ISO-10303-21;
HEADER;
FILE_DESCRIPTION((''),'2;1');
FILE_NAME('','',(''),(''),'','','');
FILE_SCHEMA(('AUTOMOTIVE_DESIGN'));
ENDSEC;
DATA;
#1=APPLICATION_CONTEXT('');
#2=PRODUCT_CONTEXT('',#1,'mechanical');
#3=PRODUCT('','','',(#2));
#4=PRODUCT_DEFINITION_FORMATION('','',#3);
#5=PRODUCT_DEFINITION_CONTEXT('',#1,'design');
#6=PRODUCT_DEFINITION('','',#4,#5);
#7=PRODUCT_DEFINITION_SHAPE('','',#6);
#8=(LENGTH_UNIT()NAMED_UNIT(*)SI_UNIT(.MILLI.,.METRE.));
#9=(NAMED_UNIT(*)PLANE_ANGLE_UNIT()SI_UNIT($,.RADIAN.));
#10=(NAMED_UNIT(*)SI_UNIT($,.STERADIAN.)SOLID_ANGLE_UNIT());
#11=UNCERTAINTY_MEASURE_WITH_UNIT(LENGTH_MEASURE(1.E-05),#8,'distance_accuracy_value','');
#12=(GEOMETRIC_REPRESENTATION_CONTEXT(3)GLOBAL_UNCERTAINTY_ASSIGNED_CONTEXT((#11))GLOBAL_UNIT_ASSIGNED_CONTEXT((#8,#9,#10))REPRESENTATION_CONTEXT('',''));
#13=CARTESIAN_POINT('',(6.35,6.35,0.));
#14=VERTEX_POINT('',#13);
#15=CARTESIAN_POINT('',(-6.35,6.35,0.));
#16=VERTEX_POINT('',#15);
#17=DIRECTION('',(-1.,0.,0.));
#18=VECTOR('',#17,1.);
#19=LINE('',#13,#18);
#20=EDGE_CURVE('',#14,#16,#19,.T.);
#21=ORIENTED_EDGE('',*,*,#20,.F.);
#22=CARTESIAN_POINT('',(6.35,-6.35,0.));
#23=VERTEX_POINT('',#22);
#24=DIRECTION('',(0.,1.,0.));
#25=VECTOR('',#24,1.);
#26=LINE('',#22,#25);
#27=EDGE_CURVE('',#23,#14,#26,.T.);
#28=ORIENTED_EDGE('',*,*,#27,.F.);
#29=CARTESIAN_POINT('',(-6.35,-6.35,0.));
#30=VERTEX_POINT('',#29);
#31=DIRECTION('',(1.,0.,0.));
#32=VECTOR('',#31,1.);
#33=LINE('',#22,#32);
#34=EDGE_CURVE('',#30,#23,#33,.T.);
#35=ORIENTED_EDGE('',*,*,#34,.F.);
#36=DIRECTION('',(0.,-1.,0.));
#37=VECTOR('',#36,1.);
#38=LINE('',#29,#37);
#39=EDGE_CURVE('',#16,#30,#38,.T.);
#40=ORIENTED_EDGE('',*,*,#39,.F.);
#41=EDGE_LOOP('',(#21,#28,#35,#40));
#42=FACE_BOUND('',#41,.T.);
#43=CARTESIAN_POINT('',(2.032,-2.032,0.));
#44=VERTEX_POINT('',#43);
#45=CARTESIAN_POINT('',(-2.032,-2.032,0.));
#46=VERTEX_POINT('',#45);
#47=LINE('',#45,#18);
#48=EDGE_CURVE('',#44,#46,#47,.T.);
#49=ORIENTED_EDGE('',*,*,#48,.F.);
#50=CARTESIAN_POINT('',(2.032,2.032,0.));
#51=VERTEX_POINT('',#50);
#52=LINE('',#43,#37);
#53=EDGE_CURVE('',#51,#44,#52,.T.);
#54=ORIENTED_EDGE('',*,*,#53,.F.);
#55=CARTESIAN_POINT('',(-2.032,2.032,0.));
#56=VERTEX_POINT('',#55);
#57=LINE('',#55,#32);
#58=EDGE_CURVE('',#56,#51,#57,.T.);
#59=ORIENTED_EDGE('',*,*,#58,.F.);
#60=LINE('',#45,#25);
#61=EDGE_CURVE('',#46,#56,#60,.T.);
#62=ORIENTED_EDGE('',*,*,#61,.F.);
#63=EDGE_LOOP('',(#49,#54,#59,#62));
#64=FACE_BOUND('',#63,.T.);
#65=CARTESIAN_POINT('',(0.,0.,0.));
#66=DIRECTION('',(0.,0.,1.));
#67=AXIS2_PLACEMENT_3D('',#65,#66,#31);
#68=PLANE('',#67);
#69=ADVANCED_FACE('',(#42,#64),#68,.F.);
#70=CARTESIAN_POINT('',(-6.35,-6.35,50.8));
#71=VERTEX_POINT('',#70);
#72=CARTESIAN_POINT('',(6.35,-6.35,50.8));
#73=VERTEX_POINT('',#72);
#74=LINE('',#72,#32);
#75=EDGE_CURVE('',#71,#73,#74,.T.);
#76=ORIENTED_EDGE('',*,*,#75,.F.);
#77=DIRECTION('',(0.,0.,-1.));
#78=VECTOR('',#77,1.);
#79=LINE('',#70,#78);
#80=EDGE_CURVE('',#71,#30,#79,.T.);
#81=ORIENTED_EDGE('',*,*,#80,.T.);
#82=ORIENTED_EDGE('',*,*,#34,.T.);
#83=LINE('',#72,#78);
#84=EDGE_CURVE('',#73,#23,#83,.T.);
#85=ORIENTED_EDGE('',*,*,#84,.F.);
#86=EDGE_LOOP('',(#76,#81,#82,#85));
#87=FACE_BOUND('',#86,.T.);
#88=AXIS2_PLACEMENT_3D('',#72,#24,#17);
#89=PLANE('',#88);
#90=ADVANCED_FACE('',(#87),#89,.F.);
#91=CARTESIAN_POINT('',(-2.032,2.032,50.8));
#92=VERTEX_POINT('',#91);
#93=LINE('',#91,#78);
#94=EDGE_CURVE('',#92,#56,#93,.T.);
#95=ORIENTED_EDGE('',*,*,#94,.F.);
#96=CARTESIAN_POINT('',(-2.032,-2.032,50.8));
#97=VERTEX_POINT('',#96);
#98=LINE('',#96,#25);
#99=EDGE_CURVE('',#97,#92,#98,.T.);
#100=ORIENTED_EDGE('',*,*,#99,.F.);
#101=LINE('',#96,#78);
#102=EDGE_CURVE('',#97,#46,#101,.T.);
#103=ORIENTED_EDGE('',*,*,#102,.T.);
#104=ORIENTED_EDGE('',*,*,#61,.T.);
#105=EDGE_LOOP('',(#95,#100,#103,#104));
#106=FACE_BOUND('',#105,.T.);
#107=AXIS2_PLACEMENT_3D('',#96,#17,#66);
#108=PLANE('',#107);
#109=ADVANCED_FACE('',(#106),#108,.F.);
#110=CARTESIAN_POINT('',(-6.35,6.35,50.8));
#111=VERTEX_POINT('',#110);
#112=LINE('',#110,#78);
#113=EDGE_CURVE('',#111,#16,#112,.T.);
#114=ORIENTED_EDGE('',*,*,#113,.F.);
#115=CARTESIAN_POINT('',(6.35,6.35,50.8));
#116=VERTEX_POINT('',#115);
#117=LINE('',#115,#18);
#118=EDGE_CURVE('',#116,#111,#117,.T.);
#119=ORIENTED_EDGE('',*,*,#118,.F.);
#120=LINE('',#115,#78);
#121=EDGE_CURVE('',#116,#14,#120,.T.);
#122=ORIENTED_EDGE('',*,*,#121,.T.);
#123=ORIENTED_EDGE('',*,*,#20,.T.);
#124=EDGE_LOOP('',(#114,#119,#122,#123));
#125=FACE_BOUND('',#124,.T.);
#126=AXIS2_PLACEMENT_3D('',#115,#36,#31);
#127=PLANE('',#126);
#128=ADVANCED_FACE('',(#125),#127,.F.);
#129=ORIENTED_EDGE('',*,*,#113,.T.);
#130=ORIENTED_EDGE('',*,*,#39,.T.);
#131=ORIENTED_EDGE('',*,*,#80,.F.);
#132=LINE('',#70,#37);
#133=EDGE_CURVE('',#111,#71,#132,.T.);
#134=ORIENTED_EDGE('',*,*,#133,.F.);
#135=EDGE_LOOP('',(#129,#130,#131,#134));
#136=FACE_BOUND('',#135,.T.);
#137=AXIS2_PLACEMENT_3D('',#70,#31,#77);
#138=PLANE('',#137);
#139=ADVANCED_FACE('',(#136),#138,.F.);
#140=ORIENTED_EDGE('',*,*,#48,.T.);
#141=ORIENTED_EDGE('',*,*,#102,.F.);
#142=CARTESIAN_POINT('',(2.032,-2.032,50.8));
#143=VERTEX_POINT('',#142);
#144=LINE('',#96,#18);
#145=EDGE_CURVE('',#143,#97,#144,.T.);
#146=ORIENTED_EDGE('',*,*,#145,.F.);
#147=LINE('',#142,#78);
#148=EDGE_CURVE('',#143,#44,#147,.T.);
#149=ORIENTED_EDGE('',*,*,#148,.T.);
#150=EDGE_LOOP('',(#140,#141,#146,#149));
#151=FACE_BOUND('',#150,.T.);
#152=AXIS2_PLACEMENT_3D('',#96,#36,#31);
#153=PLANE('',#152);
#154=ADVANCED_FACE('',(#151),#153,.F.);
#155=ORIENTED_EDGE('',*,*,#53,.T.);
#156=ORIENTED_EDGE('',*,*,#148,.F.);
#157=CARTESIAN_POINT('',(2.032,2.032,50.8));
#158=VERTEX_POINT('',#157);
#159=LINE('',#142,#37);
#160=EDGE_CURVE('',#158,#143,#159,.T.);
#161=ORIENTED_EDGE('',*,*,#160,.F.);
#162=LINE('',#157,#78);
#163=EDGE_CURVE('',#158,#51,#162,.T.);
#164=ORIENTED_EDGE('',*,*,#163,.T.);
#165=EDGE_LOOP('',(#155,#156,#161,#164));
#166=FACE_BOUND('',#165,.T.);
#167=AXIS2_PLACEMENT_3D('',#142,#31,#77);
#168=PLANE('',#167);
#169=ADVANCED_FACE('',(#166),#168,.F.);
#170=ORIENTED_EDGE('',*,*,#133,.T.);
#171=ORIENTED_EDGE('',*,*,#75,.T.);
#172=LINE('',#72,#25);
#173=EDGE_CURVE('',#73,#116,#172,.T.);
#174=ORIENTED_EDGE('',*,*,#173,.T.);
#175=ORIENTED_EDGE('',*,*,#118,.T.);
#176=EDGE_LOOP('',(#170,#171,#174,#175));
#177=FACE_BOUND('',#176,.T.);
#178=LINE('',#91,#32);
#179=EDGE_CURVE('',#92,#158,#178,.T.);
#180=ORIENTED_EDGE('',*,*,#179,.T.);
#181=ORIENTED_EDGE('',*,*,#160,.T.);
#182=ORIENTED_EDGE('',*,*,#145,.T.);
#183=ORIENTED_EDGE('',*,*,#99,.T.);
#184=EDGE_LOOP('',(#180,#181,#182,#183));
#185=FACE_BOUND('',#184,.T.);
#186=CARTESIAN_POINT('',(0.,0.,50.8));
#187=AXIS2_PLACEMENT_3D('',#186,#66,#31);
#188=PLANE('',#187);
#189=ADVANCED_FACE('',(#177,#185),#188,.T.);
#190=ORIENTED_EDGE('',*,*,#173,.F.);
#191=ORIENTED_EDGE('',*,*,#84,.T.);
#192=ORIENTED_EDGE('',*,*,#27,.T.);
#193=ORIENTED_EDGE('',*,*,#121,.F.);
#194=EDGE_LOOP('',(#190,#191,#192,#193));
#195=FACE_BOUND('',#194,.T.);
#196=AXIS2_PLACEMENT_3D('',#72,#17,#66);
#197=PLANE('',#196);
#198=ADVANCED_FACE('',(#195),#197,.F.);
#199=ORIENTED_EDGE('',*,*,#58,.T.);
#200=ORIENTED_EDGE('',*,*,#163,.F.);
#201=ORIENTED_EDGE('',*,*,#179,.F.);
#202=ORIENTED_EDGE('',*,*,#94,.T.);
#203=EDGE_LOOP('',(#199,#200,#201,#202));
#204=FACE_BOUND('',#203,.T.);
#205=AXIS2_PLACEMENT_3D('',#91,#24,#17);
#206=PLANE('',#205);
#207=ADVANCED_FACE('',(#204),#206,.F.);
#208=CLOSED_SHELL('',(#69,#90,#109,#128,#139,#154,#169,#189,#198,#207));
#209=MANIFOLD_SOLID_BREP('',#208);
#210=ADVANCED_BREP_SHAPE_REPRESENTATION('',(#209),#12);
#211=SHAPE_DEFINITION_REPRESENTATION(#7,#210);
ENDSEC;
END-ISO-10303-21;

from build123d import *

# Parameters (mm, degrees)
SKETCH2_W           = 12.7
SKETCH2_H           = 12.7
BOSS_EXTRUDE1_DEPTH = 50.8
SKETCH4_W           = 4.064
SKETCH4_H           = 4.064
CUT_EXTRUDE1_DEPTH  = 51.8


with BuildPart() as part:
    # Sketch2 → Boss-Extrude1 (new body)
    with BuildSketch(Plane.XY):
        Rectangle(SKETCH2_W, SKETCH2_H)
    extrude(amount=BOSS_EXTRUDE1_DEPTH)

    # Sketch4 → Cut-Extrude1 (cut, through all)
    with BuildSketch(Plane(origin=(0, 0, 0), x_dir=(-1, 0, 0), z_dir=(0, 0, -1))):
        Rectangle(SKETCH4_W, SKETCH4_H)
    extrude(amount=-CUT_EXTRUDE1_DEPTH, mode=Mode.SUBTRACT)


solid = part.part
